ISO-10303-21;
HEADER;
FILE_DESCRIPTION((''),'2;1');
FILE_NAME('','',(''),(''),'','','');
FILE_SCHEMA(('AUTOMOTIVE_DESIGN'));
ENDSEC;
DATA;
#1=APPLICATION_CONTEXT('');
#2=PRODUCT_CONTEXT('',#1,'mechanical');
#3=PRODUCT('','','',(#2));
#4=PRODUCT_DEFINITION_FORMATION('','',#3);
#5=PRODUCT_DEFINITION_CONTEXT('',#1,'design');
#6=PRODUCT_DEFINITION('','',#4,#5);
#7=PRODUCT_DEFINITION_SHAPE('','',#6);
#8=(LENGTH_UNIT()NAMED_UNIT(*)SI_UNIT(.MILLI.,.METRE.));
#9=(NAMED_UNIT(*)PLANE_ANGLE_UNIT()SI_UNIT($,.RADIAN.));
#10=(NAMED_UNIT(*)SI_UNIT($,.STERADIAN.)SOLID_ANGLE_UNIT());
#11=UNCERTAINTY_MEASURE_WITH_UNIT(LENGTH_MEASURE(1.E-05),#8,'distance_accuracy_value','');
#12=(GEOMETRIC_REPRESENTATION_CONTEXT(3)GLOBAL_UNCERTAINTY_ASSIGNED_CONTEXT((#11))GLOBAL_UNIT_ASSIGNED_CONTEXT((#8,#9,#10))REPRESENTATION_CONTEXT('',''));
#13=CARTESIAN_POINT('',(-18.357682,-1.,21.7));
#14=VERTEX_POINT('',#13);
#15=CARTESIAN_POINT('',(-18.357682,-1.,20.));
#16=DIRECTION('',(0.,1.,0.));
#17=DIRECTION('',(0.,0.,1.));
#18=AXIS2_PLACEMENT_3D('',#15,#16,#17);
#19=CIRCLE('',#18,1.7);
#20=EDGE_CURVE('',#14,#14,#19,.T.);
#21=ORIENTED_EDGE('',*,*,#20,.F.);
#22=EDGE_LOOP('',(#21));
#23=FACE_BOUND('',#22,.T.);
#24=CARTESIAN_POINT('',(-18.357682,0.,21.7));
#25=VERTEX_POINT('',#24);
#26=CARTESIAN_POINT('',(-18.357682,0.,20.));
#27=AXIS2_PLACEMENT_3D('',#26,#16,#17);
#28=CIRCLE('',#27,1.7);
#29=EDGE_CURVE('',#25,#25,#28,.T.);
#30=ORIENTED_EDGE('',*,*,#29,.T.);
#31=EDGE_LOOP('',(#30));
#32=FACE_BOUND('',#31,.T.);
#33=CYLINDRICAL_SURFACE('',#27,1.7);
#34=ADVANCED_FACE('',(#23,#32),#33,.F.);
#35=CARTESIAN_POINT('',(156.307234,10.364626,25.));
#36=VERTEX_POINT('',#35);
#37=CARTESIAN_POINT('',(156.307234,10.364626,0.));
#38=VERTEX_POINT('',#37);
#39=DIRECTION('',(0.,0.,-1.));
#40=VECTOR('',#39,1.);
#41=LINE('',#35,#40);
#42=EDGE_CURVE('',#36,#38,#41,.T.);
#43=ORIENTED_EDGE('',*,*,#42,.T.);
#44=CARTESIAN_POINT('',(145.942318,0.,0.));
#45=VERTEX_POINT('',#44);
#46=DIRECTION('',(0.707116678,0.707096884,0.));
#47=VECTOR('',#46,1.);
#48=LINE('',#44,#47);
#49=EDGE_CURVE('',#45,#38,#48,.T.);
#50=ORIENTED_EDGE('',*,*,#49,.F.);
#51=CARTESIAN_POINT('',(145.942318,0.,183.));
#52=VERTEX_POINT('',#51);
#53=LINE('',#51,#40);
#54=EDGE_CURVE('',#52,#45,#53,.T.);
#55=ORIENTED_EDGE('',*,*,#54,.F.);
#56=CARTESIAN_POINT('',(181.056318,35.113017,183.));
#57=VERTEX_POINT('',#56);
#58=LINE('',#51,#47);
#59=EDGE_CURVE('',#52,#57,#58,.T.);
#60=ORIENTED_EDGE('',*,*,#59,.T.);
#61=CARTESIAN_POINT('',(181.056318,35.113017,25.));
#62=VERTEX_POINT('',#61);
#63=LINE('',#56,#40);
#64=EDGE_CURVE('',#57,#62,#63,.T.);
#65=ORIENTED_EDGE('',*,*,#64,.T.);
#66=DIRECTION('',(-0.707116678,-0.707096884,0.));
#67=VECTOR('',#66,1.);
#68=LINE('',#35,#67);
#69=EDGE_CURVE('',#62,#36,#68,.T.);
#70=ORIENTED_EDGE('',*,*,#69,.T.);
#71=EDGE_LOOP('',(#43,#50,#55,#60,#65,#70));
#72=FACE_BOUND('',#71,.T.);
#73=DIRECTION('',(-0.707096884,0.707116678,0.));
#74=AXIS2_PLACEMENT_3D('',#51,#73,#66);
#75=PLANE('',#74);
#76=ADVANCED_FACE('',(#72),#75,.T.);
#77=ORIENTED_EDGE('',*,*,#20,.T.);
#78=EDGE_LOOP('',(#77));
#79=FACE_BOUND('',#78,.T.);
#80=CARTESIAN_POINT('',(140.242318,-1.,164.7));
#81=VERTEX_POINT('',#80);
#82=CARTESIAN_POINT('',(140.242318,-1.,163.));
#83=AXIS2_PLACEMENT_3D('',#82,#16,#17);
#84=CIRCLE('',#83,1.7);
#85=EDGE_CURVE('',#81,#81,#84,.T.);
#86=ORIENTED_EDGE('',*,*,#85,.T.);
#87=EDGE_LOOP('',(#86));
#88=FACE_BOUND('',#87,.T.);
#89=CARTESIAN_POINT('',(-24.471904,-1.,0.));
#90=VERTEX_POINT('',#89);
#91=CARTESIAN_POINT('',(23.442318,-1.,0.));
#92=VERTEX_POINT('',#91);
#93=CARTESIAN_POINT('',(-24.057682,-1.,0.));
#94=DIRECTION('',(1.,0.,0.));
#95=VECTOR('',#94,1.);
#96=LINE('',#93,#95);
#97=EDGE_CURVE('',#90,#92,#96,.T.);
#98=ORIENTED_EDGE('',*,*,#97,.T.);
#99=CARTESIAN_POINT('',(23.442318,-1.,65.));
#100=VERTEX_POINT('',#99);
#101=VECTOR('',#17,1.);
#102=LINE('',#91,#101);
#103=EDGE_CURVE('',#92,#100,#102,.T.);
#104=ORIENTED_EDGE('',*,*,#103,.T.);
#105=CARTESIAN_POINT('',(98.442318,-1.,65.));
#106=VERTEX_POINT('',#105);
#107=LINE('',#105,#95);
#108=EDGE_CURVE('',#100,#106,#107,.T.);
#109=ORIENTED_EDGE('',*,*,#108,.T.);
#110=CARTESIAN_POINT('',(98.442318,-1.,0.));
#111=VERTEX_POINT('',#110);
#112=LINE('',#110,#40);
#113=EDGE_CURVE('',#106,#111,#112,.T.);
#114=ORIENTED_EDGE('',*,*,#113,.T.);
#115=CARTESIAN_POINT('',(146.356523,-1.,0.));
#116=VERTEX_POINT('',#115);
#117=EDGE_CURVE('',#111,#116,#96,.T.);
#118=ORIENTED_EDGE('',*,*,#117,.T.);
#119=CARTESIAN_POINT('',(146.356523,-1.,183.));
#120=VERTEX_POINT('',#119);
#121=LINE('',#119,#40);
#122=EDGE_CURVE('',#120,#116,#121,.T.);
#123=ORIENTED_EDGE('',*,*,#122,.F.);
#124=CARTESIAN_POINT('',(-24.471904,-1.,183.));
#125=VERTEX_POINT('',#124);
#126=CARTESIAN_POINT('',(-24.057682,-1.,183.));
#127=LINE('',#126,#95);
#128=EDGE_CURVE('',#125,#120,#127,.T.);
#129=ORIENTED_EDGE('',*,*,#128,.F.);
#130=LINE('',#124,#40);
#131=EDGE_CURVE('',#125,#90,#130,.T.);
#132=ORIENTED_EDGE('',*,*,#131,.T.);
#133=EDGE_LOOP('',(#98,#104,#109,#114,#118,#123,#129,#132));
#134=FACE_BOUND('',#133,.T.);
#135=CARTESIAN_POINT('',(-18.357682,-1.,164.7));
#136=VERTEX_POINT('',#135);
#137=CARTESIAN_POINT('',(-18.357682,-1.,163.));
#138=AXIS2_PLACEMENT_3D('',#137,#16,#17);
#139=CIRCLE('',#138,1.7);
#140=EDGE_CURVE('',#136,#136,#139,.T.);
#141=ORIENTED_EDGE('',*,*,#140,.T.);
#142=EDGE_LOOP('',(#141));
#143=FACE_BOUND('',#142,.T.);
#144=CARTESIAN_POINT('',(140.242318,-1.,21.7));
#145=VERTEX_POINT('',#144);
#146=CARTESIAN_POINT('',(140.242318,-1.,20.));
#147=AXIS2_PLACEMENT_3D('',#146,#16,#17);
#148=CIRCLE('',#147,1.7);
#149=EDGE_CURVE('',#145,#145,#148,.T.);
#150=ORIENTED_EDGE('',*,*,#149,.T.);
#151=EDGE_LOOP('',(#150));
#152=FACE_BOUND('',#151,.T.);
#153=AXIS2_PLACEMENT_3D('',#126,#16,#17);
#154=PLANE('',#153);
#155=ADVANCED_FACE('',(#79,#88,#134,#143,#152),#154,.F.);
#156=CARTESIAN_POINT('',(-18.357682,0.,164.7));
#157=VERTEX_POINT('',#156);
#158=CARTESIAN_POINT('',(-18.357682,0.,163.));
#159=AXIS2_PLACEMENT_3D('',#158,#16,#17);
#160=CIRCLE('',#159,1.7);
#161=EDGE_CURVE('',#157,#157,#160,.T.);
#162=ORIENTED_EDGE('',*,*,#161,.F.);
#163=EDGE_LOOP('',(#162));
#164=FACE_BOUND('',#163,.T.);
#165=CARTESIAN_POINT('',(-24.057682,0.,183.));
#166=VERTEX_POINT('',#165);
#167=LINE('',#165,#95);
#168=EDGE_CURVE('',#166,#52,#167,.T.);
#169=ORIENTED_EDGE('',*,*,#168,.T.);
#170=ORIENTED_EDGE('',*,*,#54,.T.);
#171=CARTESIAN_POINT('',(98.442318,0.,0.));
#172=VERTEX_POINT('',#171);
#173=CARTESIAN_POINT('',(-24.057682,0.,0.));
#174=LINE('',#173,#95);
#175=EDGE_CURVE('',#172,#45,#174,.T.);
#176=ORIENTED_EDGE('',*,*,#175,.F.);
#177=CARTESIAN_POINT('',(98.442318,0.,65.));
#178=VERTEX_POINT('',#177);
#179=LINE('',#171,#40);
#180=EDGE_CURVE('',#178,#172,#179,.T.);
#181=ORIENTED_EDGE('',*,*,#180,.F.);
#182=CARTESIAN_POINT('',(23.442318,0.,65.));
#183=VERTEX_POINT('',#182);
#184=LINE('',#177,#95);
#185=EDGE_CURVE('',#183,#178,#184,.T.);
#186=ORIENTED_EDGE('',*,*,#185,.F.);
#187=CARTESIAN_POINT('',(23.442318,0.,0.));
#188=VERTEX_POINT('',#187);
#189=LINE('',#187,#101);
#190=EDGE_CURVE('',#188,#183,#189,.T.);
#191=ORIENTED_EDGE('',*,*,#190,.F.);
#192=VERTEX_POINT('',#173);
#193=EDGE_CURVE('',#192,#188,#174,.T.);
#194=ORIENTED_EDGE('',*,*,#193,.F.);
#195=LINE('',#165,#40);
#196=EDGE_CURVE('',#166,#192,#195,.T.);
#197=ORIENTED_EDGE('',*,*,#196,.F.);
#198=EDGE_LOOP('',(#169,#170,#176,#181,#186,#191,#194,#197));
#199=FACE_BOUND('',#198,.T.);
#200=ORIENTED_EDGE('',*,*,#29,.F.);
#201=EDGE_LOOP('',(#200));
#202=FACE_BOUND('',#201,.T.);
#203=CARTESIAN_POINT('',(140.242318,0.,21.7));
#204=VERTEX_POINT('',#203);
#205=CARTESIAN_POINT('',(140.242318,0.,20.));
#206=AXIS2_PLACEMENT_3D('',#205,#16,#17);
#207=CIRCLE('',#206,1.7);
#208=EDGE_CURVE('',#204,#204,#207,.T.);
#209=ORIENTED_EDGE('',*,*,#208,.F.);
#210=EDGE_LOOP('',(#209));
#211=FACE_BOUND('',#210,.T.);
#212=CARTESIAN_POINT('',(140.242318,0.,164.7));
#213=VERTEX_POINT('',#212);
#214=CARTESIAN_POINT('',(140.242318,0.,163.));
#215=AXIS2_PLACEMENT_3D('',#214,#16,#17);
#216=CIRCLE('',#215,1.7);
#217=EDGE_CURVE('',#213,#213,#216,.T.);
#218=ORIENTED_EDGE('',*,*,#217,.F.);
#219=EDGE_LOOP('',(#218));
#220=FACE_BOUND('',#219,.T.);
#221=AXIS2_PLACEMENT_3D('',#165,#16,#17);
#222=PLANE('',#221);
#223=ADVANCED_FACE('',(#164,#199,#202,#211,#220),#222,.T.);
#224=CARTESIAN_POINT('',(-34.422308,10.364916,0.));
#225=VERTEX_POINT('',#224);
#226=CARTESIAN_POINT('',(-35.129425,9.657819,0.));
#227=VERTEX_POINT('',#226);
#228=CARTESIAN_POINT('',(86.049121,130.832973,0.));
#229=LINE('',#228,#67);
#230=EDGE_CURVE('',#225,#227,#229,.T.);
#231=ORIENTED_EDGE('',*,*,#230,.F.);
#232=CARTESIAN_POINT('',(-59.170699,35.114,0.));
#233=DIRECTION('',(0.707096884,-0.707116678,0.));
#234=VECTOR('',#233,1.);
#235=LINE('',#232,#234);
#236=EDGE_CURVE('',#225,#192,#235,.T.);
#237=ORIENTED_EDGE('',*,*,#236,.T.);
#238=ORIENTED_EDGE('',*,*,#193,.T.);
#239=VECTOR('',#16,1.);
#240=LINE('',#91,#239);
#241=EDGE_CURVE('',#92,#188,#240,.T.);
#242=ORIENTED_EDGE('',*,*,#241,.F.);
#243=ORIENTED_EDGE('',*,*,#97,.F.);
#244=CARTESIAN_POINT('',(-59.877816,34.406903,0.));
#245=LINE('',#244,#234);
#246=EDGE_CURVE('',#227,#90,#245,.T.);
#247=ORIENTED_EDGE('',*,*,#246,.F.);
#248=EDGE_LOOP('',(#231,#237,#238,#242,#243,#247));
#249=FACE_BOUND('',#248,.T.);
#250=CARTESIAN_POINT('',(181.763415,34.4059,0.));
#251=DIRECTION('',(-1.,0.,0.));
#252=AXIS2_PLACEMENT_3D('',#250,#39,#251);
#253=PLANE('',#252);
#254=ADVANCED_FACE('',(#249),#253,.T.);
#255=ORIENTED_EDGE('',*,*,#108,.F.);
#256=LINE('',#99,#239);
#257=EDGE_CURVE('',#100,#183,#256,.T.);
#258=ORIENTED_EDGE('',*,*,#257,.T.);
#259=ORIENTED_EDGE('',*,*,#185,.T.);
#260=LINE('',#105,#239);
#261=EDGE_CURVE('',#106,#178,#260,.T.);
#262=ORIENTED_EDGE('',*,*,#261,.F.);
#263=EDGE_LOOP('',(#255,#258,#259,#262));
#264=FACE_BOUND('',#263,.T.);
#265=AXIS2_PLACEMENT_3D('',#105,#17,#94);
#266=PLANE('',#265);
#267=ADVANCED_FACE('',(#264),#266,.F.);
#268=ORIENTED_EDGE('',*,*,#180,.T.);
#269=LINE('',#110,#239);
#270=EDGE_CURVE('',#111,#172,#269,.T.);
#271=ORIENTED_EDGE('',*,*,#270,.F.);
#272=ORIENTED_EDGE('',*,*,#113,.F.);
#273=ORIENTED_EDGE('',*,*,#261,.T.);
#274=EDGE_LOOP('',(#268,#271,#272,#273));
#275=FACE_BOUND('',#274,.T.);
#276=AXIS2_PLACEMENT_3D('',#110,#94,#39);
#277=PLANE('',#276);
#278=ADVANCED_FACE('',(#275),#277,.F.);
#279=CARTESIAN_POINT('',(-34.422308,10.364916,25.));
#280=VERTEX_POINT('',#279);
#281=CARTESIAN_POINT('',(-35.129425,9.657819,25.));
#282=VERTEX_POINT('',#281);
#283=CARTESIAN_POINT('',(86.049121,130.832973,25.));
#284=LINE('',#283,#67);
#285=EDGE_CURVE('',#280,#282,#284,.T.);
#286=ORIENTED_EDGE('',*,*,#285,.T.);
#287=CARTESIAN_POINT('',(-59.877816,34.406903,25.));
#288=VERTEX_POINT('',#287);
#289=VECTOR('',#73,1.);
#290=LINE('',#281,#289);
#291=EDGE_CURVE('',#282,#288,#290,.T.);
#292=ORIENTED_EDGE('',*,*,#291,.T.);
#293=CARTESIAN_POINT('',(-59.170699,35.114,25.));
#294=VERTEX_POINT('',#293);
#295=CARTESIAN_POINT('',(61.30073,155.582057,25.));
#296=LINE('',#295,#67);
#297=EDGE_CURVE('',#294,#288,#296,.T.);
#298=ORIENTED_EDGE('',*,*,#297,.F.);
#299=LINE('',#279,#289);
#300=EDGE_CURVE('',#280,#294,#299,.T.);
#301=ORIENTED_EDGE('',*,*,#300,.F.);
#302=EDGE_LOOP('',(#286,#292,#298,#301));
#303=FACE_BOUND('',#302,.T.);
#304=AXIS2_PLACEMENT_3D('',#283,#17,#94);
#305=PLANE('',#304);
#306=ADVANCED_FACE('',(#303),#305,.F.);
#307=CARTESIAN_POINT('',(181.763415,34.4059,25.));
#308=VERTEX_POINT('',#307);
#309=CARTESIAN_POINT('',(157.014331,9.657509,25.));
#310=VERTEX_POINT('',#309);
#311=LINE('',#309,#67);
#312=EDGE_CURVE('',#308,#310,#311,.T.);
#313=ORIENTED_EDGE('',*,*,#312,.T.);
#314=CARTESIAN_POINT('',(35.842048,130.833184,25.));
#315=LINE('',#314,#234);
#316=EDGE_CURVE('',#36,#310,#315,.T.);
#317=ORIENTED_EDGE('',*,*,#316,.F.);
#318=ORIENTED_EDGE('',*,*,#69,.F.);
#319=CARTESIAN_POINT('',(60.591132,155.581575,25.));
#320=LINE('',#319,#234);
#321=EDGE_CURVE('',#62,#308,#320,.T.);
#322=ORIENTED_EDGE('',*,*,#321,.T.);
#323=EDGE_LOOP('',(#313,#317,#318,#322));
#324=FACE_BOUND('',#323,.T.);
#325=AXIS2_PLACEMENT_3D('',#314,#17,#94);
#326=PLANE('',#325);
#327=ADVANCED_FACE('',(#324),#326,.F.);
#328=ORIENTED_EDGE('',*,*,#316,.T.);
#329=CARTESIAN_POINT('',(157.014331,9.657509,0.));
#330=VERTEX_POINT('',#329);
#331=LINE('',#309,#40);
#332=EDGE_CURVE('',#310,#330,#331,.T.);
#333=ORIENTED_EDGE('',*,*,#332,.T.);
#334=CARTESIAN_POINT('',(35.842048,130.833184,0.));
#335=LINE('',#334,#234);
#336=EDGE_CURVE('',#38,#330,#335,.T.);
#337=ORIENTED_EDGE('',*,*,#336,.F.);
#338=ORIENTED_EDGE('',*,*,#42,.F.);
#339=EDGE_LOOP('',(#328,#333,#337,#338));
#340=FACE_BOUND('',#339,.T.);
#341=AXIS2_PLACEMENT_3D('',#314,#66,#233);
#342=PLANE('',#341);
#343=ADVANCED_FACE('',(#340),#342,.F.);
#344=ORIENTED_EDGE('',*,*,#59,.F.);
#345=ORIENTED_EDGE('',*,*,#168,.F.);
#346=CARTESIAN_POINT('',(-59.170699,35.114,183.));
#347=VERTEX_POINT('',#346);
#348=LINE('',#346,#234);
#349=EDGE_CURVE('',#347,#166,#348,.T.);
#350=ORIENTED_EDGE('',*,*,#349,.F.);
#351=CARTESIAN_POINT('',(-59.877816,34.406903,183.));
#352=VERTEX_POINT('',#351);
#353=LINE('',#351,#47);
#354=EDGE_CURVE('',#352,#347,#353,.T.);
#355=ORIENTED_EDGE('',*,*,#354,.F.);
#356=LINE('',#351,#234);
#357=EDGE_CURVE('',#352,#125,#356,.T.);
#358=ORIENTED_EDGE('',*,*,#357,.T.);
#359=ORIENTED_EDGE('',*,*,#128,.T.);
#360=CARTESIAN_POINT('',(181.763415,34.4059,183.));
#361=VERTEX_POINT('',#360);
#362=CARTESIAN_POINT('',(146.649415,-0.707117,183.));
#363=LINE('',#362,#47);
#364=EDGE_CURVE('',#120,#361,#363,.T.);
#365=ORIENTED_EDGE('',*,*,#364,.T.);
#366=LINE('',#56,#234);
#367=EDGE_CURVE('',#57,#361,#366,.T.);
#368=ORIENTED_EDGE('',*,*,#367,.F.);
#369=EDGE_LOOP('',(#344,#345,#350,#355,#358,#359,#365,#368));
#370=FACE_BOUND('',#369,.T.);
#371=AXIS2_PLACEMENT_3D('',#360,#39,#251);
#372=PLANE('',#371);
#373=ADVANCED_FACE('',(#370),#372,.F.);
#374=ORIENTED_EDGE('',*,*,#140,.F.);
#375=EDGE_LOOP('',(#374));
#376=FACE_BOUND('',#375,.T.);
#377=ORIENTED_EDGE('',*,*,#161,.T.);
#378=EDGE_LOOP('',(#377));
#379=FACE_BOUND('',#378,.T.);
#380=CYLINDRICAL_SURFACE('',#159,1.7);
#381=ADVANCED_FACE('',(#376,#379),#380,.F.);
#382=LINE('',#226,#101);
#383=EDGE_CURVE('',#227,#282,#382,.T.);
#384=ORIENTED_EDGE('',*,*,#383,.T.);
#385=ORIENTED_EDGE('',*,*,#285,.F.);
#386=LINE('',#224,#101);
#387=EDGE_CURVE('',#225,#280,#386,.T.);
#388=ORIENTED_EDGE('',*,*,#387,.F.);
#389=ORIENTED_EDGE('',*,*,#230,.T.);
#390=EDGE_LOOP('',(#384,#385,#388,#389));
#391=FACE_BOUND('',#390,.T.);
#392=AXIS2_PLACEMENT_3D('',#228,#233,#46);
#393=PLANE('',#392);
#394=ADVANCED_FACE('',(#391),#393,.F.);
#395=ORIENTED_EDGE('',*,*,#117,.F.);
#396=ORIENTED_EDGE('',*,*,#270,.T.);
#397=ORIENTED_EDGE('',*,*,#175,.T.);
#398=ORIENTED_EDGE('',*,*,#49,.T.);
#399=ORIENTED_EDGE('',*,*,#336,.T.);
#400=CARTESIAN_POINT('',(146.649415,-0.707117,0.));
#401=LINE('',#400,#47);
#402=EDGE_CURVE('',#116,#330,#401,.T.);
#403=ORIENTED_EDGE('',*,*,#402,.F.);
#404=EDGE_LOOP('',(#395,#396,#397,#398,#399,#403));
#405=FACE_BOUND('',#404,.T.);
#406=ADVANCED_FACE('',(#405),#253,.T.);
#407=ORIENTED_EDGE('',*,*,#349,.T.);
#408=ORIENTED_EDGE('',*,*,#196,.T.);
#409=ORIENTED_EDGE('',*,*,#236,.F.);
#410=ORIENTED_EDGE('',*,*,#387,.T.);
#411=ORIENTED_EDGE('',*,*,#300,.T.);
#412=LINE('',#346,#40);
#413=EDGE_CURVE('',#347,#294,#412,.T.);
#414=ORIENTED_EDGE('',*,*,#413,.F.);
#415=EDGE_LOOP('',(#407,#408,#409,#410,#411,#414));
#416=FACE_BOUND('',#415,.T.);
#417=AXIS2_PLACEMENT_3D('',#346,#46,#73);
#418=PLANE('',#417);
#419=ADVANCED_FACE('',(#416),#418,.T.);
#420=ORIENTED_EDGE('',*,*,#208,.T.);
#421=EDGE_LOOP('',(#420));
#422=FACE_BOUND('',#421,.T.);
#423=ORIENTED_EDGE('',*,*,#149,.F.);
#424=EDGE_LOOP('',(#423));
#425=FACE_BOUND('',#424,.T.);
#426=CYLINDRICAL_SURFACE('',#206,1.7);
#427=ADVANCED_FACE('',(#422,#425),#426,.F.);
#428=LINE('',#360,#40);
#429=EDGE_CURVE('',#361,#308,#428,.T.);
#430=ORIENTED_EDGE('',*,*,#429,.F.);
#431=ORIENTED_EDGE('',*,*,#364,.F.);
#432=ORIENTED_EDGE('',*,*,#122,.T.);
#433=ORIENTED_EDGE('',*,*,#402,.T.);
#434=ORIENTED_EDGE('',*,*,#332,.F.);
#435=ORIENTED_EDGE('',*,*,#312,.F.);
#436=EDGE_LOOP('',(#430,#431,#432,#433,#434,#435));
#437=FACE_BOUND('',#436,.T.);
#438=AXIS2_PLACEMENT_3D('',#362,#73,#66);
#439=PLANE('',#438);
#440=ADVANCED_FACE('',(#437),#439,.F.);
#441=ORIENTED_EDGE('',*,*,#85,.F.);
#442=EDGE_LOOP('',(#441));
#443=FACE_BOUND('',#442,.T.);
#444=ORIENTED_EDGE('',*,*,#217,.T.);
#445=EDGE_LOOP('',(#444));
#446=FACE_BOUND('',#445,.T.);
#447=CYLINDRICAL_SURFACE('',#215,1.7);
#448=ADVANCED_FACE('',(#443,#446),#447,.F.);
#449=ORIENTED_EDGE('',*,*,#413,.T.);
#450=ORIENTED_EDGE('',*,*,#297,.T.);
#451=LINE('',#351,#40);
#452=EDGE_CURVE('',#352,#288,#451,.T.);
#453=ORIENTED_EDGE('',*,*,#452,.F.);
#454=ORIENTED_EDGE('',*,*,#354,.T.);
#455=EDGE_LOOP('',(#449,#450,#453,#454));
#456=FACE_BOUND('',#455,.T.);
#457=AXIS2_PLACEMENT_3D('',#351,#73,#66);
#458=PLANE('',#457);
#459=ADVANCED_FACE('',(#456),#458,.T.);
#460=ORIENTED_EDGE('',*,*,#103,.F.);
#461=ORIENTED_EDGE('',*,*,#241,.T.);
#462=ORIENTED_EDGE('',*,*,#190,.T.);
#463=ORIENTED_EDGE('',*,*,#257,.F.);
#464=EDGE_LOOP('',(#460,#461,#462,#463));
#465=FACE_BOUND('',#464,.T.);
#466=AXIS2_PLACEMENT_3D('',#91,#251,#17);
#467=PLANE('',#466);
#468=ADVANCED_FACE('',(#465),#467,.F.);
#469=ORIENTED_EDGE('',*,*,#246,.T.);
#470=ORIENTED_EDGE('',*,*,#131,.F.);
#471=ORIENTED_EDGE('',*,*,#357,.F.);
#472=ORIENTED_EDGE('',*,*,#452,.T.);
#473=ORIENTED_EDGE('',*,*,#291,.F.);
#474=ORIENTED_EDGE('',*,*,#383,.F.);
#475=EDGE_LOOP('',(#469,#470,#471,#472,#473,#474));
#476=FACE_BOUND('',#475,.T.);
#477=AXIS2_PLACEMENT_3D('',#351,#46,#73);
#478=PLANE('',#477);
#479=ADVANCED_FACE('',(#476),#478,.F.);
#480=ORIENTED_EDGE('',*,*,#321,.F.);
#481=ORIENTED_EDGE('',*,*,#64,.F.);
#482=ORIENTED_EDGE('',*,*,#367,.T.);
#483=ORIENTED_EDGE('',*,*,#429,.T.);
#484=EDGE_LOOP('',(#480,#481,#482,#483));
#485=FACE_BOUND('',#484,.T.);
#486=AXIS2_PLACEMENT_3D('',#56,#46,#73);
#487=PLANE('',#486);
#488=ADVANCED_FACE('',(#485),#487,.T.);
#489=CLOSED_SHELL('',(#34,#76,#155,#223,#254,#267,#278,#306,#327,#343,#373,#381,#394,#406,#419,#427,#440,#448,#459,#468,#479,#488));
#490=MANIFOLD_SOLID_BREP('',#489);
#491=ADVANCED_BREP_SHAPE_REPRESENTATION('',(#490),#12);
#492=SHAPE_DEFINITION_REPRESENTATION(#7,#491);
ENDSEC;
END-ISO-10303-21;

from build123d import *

# Parameters (mm, degrees)
EXTRU_MINCE1_DEPTH      = 183
ESQUISSE8_W             = 75
ESQUISSE8_H             = 65
ENL_V_MAT_EXTRU_2_DEPTH = 1
D_GAGEMENT_M32_D        = 3.4
ENL_V_MAT_EXTRU_3_REACH = 173.369
ESQUISSE15_W            = 25
ESQUISSE15_H            = 35
ENL_V_MAT_EXTRU_4_REACH = 173.364
ESQUISSE16_W            = 35
ESQUISSE16_H            = 25


with BuildPart() as part:
    # Esquisse2 → Extru.-Mince1 (new body)
    with BuildSketch(Plane.XY):
        Polygon((-59.170699115, 35.114), (-24.057682042, 0), (145.942317958, 0), (181.056317958, 35.113017073), (181.763414842, 34.405900395), (146.356523321, -1), (-24.471903803, -1), (-59.877815794, 34.406903116), align=None)
    extrude(amount=EXTRU_MINCE1_DEPTH)

    # Esquisse8 → Enlèv. mat.-Extru.2 (cut)
    with BuildSketch(Plane(origin=(0, 0, 0), x_dir=(1, 0, 0), z_dir=(0, 1, 0))):
        with Locations((60.942317958, -32.5)):
            Rectangle(ESQUISSE8_W, ESQUISSE8_H)
    extrude(amount=-ENL_V_MAT_EXTRU_2_DEPTH, mode=Mode.SUBTRACT)

    # Dégagement M32 (through all)
    with Locations(Plane(origin=(0, 0, 0), x_dir=(-1, 0, 0), z_dir=(0, 1, 0))):
        with Locations((18.357682042, 20), (-140.242317958, 20), (-140.242317958, 163), (18.357682042, 163)):
            Hole(D_GAGEMENT_M32_D / 2)

    # Esquisse15 → Enlèv. mat.-Extru.3 (cut, up to next)
    with BuildSketch(Plane(origin=(-12.73629442, -12.7359379, 0), x_dir=(0, 0, 1), z_dir=(-0.707116678, -0.707096884, 0)), mode=Mode.PRIVATE) as enl_v_mat_extru_3_sk1:
        with Locations((12.5, 49.169112012)):
            Rectangle(ESQUISSE15_W, ESQUISSE15_H)
    enl_v_mat_extru_3_tool1 = extrude(enl_v_mat_extru_3_sk1.sketch, amount=-ENL_V_MAT_EXTRU_3_REACH, mode=Mode.PRIVATE) & part.part
    add(enl_v_mat_extru_3_tool1.solids().sort_by_distance((-47.50362, 22.032361, 12.5))[0], mode=Mode.SUBTRACT)

    # Esquisse16 → Enlèv. mat.-Extru.4 (cut, up to next)
    with BuildSketch(Plane(origin=(73.676213194, -73.678275628, 0), x_dir=(0.707116678, 0.707096884, 0), z_dir=(0.707096884, -0.707116678, 0)), mode=Mode.PRIVATE) as enl_v_mat_extru_4_sk1:
        with Locations((135.356247065, 12.5)):
            Rectangle(ESQUISSE16_W, ESQUISSE16_H)
    enl_v_mat_extru_4_tool1 = extrude(enl_v_mat_extru_4_sk1.sketch, amount=-ENL_V_MAT_EXTRU_4_REACH, mode=Mode.PRIVATE) & part.part
    add(enl_v_mat_extru_4_tool1.solids().sort_by_distance((169.388873, 22.031705, 12.5))[0], mode=Mode.SUBTRACT)


solid = part.part
